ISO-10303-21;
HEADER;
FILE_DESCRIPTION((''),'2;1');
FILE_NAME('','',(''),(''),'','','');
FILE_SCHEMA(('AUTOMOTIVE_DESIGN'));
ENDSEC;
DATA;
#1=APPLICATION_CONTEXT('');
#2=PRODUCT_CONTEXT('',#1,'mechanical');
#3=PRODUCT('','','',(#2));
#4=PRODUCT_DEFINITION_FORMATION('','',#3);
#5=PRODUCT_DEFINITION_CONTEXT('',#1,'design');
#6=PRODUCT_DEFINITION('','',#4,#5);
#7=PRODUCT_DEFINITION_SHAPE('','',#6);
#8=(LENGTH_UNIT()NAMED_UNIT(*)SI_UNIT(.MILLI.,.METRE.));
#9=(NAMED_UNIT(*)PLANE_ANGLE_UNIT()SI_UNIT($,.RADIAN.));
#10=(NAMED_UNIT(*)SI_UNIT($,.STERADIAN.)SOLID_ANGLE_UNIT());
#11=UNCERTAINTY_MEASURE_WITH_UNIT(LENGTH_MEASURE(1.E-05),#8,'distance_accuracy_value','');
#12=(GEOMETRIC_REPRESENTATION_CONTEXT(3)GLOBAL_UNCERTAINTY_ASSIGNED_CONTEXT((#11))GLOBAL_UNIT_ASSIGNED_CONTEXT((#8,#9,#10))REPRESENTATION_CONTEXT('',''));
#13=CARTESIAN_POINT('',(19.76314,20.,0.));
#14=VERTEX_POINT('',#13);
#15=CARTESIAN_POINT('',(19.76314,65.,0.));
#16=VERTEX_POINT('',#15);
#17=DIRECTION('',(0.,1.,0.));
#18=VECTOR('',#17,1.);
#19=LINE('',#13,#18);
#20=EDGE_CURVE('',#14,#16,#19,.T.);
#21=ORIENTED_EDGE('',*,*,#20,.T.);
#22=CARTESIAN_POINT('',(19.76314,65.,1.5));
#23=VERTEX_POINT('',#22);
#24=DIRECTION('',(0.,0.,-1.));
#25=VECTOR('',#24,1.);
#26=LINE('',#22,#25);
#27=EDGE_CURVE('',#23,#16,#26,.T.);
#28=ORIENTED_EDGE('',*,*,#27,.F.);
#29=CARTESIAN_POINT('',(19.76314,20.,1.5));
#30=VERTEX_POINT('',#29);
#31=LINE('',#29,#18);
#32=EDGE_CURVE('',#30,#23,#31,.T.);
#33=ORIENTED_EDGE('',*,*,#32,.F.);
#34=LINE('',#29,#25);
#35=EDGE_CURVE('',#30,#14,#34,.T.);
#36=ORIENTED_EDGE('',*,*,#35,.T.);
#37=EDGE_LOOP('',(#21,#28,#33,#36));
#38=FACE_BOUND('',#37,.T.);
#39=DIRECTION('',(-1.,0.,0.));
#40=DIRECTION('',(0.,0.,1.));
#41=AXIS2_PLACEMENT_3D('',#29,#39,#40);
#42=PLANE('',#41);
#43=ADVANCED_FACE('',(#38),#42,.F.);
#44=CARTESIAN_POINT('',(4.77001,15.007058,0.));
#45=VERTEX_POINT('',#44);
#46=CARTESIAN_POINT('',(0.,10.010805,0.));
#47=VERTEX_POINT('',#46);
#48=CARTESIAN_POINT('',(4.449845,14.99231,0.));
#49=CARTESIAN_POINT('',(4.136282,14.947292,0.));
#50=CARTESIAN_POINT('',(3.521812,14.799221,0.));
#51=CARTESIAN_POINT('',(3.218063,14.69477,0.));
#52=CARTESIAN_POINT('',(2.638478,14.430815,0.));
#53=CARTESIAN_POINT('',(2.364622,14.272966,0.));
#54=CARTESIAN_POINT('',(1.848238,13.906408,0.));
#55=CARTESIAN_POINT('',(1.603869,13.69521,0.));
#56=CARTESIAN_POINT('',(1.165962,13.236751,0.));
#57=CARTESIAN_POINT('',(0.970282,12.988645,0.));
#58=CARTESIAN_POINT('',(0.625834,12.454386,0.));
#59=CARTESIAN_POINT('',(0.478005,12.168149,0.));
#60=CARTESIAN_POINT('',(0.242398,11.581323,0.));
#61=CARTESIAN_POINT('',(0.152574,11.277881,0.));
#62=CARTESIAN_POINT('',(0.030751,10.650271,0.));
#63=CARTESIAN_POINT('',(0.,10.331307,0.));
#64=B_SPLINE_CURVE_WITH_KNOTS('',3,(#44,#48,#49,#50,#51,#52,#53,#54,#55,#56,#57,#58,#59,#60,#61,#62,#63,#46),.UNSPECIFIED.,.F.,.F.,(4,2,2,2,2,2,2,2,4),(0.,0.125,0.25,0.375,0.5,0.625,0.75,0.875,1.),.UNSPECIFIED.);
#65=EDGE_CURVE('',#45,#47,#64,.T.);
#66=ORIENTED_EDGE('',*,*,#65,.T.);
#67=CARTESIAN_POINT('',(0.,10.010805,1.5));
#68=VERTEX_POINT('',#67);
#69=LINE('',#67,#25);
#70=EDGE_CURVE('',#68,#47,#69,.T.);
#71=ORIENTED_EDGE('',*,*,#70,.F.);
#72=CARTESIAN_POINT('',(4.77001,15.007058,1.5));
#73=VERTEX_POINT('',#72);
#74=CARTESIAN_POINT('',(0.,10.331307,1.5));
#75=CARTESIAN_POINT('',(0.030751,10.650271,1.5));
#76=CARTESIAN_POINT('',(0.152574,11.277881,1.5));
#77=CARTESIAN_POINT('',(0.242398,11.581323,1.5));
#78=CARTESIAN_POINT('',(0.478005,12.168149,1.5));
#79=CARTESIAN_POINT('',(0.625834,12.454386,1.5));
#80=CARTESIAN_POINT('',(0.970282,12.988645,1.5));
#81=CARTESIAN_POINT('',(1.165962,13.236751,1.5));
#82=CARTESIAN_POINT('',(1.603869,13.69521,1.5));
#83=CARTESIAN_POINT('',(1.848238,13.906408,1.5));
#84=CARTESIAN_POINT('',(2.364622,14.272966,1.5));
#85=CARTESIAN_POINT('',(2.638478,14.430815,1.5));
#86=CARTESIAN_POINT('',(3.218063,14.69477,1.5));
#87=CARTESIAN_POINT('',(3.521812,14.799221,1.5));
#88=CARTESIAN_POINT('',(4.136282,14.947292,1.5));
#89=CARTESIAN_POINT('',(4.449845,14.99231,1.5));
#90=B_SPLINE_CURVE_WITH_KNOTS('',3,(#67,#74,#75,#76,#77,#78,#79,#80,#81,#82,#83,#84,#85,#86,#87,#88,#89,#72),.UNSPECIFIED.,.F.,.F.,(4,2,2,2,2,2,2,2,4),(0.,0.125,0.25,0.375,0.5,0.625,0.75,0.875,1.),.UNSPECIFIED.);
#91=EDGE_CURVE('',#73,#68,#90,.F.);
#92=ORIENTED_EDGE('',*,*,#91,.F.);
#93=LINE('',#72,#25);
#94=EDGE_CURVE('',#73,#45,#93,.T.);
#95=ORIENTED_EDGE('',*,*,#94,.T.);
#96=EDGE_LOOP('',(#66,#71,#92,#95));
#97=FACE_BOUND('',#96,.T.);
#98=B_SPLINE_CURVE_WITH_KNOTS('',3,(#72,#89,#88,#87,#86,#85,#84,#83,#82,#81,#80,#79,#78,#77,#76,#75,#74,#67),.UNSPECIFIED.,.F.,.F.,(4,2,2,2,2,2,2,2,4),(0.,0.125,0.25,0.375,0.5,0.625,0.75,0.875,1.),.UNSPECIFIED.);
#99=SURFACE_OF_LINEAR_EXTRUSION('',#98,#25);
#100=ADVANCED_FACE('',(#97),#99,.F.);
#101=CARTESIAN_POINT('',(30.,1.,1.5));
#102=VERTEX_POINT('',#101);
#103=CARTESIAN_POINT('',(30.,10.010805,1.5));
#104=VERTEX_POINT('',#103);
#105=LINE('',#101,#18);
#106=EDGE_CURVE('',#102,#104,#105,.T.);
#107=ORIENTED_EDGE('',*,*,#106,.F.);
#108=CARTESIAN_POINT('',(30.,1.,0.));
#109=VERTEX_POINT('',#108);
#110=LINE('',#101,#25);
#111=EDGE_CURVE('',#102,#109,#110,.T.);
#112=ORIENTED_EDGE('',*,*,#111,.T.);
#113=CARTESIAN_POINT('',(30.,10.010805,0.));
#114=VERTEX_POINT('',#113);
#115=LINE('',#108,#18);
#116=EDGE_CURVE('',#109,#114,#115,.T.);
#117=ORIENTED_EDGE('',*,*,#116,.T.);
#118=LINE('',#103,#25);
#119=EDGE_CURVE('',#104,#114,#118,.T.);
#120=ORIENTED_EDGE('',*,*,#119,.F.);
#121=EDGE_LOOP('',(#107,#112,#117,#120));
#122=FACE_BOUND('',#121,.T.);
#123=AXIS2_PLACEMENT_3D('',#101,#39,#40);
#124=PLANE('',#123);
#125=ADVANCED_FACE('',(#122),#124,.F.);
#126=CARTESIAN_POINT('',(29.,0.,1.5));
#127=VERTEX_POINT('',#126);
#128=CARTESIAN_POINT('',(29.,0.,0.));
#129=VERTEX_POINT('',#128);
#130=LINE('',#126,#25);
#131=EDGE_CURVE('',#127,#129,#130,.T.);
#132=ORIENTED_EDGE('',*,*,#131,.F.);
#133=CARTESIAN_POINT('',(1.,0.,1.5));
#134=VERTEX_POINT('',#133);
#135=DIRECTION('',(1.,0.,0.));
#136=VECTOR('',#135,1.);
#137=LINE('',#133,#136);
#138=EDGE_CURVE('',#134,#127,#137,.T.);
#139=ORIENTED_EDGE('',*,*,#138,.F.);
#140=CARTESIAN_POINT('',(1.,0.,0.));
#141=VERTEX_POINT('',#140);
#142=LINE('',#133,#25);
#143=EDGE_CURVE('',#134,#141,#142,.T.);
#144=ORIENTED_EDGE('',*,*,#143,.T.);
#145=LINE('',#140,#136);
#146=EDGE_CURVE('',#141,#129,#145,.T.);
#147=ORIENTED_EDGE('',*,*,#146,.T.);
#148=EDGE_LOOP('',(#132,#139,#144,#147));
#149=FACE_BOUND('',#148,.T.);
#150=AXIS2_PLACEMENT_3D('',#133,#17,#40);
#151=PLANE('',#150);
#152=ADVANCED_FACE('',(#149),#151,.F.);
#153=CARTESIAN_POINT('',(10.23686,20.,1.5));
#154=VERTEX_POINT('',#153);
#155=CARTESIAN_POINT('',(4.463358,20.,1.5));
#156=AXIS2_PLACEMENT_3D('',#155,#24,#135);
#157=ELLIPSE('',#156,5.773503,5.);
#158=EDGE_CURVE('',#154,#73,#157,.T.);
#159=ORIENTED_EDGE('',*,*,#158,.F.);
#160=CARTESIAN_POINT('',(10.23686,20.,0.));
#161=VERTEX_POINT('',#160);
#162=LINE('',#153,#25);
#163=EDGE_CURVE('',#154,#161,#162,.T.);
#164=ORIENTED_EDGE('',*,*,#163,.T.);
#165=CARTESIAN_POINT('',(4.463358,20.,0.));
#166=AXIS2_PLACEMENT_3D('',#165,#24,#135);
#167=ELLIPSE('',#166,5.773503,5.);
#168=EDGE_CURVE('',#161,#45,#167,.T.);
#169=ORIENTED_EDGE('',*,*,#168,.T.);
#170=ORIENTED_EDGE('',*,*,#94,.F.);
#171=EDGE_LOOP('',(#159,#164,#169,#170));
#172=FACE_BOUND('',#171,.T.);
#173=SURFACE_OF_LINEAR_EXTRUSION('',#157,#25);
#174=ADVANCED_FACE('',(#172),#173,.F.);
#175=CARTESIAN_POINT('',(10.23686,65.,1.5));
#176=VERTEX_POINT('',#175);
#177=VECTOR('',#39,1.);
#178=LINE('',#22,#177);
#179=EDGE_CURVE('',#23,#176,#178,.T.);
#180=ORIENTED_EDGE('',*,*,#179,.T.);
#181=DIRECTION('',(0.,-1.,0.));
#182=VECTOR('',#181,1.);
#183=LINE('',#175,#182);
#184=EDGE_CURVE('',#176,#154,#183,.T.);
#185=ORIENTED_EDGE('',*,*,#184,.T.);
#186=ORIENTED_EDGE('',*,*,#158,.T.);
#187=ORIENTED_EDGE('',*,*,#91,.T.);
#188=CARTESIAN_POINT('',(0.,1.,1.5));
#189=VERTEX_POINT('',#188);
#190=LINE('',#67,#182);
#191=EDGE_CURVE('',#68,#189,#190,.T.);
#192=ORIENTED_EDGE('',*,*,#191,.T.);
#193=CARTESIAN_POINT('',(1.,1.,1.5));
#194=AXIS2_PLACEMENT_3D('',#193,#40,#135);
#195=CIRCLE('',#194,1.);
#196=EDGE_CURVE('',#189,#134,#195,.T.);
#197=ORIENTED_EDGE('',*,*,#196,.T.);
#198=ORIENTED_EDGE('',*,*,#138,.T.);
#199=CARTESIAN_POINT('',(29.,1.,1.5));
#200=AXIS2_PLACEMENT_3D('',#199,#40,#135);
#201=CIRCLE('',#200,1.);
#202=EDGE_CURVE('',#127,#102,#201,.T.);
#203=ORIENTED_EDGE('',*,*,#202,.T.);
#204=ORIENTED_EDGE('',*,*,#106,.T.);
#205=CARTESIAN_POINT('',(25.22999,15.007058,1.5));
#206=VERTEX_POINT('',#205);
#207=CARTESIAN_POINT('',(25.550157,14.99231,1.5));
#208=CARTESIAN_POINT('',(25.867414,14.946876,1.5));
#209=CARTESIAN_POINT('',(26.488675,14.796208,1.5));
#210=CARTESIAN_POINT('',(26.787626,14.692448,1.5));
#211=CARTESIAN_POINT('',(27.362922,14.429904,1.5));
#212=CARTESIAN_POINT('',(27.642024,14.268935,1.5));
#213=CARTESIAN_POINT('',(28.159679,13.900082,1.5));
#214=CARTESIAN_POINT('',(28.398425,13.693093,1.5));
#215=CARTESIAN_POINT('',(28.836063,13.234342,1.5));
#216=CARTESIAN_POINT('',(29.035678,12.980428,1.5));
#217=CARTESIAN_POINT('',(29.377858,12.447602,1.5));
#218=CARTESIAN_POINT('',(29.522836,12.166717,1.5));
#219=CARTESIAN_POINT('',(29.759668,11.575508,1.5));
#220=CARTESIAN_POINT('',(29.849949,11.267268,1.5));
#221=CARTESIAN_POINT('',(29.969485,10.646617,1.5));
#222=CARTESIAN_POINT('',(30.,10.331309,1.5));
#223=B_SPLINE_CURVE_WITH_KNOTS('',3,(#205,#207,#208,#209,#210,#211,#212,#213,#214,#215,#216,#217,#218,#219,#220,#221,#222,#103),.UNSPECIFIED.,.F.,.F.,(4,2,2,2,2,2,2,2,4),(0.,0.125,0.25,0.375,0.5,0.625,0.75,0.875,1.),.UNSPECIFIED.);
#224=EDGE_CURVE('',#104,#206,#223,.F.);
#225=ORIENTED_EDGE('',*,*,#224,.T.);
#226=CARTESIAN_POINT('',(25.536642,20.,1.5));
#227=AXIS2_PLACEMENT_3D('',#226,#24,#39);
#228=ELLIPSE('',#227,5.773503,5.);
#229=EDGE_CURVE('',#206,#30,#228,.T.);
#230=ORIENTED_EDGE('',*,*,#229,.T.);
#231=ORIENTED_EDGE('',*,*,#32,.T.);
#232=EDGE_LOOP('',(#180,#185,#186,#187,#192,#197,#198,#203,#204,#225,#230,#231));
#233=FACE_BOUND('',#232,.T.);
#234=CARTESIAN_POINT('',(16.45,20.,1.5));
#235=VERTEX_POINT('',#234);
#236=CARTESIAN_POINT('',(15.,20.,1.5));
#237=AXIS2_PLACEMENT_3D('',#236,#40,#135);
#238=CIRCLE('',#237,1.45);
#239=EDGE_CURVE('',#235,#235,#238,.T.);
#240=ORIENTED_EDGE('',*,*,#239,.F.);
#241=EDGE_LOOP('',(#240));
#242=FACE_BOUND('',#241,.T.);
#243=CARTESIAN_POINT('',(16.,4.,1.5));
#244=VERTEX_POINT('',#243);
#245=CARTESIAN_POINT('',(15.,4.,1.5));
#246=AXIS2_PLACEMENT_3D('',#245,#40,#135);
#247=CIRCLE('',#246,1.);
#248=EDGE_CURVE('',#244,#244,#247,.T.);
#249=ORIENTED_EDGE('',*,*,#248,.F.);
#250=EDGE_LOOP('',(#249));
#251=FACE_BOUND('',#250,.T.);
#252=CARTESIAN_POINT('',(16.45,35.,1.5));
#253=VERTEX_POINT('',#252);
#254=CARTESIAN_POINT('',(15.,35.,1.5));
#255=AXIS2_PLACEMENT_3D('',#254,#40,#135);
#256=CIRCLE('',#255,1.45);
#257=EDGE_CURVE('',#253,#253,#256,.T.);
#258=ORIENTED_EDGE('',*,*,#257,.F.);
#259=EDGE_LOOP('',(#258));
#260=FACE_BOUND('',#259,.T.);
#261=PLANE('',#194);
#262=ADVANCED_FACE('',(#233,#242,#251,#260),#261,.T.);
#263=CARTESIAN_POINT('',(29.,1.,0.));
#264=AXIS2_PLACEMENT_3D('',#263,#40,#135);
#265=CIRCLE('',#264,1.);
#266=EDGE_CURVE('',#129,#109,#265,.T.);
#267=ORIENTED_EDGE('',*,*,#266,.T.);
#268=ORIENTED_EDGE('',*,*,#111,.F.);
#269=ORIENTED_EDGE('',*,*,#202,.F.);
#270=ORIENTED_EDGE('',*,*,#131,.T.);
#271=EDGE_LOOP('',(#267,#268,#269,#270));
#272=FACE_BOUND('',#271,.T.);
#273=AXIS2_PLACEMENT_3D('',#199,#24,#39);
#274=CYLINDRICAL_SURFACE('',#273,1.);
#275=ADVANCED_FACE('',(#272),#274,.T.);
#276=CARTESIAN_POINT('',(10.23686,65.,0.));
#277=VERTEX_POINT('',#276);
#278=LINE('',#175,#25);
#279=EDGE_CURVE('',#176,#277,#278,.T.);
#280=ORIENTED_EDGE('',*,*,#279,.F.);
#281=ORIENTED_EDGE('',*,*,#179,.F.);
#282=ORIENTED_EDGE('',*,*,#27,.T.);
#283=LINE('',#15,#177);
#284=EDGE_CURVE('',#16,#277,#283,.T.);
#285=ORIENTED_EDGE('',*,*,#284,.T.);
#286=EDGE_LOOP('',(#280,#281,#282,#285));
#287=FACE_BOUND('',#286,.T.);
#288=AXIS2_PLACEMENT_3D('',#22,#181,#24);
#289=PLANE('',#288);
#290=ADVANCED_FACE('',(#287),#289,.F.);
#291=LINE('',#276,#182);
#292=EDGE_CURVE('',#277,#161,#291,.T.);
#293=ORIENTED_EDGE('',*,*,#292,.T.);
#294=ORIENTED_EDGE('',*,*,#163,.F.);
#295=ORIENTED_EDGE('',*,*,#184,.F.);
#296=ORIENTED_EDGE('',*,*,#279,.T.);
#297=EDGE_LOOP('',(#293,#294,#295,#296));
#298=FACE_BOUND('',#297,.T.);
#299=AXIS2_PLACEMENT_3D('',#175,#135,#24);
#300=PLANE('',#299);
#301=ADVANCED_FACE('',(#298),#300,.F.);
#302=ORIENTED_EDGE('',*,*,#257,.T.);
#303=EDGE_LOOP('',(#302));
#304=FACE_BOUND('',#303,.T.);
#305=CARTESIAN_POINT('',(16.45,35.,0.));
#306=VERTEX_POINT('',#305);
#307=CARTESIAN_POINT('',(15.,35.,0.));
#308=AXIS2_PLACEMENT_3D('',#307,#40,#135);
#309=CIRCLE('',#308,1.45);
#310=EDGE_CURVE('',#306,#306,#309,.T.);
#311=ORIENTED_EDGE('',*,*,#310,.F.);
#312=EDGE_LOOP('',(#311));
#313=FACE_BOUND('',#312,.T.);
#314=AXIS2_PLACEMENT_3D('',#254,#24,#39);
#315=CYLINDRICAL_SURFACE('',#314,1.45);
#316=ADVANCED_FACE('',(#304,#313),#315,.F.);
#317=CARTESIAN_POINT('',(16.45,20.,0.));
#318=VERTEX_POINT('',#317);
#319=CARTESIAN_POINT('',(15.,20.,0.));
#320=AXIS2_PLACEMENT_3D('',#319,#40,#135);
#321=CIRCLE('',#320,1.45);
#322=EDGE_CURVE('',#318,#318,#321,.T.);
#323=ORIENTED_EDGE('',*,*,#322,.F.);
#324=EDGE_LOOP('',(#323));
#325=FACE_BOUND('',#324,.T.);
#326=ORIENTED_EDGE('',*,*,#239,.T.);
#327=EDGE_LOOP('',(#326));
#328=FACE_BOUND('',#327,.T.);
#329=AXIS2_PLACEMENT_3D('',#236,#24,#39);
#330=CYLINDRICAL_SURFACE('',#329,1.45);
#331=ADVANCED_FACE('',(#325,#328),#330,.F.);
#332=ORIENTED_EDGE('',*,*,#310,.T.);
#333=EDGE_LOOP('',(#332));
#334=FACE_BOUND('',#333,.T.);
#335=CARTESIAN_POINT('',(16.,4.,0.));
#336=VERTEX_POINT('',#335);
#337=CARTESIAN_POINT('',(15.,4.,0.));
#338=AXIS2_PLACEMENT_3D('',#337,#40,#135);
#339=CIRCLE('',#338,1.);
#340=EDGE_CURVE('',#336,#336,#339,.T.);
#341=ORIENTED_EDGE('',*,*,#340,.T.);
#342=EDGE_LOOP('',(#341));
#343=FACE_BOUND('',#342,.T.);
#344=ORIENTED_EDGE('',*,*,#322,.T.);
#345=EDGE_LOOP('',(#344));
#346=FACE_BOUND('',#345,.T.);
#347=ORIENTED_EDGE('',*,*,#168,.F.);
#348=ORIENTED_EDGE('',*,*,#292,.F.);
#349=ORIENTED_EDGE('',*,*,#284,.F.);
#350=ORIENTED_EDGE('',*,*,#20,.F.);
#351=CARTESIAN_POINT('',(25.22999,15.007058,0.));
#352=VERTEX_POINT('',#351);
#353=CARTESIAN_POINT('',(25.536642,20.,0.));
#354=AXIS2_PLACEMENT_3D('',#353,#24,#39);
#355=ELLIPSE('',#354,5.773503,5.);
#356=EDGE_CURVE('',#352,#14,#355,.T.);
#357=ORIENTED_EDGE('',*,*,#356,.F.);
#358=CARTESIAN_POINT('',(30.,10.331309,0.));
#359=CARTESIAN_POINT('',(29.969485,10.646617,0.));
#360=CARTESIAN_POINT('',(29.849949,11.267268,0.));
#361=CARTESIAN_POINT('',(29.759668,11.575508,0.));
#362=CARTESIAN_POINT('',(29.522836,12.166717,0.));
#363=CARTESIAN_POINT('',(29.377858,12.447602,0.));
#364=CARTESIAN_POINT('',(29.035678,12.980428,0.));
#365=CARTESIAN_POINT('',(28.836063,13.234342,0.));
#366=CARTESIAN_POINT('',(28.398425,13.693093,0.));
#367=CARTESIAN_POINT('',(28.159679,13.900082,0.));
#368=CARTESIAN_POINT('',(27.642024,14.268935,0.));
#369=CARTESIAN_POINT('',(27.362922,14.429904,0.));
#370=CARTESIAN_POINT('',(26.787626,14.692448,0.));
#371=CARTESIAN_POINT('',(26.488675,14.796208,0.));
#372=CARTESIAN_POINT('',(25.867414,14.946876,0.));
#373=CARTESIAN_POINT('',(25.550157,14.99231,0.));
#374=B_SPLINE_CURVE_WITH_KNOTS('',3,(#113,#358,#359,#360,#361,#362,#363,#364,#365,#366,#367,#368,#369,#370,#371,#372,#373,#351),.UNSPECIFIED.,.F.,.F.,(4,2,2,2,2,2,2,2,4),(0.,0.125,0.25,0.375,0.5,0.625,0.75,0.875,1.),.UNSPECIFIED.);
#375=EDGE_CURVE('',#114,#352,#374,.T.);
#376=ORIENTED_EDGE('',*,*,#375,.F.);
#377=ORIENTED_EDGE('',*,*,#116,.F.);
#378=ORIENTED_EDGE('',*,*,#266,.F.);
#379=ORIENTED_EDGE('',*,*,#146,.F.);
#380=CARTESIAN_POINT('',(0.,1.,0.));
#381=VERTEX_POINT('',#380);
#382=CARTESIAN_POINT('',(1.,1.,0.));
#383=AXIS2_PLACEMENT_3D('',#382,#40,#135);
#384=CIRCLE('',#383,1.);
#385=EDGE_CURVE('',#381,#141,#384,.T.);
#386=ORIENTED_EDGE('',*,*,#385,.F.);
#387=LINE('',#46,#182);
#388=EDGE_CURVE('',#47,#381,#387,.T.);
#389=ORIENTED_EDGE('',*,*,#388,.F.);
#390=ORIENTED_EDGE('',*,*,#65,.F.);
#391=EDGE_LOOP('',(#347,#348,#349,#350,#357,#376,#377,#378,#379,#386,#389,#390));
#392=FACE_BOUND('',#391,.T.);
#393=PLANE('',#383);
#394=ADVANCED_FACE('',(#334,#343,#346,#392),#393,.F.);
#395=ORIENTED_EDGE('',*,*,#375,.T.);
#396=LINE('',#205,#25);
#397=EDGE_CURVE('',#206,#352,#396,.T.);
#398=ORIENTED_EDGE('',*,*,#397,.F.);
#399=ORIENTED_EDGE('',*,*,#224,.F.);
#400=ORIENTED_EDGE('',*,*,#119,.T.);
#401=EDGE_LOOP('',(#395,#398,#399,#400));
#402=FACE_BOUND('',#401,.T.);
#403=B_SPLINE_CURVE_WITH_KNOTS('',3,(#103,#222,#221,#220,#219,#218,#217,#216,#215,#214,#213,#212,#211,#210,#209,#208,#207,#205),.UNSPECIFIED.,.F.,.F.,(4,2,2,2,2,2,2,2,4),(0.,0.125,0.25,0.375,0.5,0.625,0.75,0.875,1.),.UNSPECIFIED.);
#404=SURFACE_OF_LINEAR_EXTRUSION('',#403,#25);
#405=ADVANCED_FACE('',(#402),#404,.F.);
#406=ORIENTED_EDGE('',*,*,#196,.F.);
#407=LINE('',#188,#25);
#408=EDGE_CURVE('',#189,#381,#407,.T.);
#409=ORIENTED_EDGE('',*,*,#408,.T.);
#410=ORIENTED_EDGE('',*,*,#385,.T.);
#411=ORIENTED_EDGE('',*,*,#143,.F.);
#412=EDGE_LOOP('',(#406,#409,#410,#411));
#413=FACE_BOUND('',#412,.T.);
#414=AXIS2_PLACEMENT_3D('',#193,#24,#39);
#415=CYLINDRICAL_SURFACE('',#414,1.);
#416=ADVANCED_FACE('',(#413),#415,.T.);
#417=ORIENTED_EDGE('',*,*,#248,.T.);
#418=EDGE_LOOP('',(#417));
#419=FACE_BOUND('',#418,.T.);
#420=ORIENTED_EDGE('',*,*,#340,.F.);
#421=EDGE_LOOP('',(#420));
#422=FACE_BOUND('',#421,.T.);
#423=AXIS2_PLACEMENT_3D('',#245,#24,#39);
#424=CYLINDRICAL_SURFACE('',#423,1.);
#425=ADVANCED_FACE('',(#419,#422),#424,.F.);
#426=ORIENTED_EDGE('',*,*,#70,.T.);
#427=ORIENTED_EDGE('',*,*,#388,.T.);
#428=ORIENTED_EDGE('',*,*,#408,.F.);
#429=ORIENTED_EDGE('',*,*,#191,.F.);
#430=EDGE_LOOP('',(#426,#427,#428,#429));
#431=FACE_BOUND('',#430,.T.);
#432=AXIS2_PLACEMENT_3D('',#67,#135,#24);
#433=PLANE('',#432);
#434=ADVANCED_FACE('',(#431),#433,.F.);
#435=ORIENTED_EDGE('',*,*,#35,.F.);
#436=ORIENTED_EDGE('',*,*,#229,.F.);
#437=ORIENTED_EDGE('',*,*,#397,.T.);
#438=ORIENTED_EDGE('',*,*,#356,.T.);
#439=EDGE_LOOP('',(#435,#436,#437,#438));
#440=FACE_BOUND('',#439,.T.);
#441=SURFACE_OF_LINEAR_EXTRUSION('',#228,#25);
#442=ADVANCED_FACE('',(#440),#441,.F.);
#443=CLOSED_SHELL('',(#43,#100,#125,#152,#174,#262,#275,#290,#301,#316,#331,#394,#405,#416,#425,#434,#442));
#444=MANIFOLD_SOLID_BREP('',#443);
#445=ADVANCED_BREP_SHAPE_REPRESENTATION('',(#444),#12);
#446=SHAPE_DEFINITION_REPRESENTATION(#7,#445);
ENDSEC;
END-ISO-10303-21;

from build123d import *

# Parameters (mm, degrees)
SKETCH1_R           = 1
SKETCH1_R_2         = 1.45
BOSS_EXTRUDE1_DEPTH = 1.5


with BuildPart() as part:
    # Sketch1 → Boss-Extrude1 (new body)
    with BuildSketch(Plane.XY):
        with BuildLine():
            Line((1, 0), (29, 0))
            ThreePointArc((29, 0), (29.707106781, 0.292893219), (30, 1))
            Line((30, 1), (30, 10.010805278))
            add(Edge.make_bspline(
                [(30, 10.010805278), (30, 10.331309343), (29.969485344, 10.646616833), (29.849948512, 11.267268119), (29.75966755, 11.575507617), (29.52283644, 12.166717494), (29.377858407, 12.44760172), (29.03567781, 12.980427757), (28.836063124, 13.234342382), (28.398424751, 13.693093363), (28.159679219, 13.900081722), (27.642024265, 14.268934545), (27.362921955, 14.429904426), (26.787626221, 14.692448411), (26.488674786, 14.796208342), (25.867413661, 14.94687591), (25.550156827, 14.992309833), (25.229989605, 15.007057677)],
                knots=[0, 0, 0, 0, 0.125, 0.125, 0.25, 0.25, 0.375, 0.375, 0.5, 0.5, 0.625, 0.625, 0.75, 0.75, 0.875, 0.875, 1, 1, 1, 1], degree=3))
            add(Edge.make_bspline(
                [(19.763139721, 20), (19.763139721, 15.258876858), (25.229989605, 15.007057677)],
                knots=[0, 0, 0, 1.517657498, 1.517657498, 1.517657498], degree=2, weights=[1, 0.725642413, 1]))
            Line((19.763139721, 20), (19.763139721, 65))
            Line((19.763139721, 65), (10.236860279, 65))
            Line((10.236860279, 65), (10.236860279, 20))
            add(Edge.make_bspline(
                [(4.770010395, 15.007057677), (10.236860279, 15.258876858), (10.236860279, 20)],
                knots=[4.765527809, 4.765527809, 4.765527809, 6.283185307, 6.283185307, 6.283185307], degree=2, weights=[1, 0.725642413, 1]))
            add(Edge.make_bspline(
                [(4.770010395, 15.007057677), (4.449845357, 14.992309934), (4.136282013, 14.947292066), (3.521812442, 14.799220851), (3.218062701, 14.694770205), (2.638478447, 14.430814604), (2.364622125, 14.272965812), (1.848237929, 13.906408033), (1.60386949, 13.695209671), (1.16596165, 13.236750613), (0.970282062, 12.988644641), (0.625834171, 12.454385704), (0.478004619, 12.168149386), (0.242397802, 11.581322908), (0.15257366, 11.277880984), (0.03075096, 10.650270556), (0, 10.331307007), (0, 10.010805278)],
                knots=[0, 0, 0, 0, 0.125, 0.125, 0.25, 0.25, 0.375, 0.375, 0.5, 0.5, 0.625, 0.625, 0.75, 0.75, 0.875, 0.875, 1, 1, 1, 1], degree=3))
            Line((0, 10.010805278), (0, 1))
            ThreePointArc((0, 1), (0.292893219, 0.292893219), (1, 0))
        make_face()
        with Locations((15, 4)):
            Circle(SKETCH1_R, mode=Mode.SUBTRACT)
        with Locations((15, 20)):
            Circle(SKETCH1_R_2, mode=Mode.SUBTRACT)
        with Locations((15, 35)):
            Circle(SKETCH1_R_2, mode=Mode.SUBTRACT)
    extrude(amount=BOSS_EXTRUDE1_DEPTH)


solid = part.part
